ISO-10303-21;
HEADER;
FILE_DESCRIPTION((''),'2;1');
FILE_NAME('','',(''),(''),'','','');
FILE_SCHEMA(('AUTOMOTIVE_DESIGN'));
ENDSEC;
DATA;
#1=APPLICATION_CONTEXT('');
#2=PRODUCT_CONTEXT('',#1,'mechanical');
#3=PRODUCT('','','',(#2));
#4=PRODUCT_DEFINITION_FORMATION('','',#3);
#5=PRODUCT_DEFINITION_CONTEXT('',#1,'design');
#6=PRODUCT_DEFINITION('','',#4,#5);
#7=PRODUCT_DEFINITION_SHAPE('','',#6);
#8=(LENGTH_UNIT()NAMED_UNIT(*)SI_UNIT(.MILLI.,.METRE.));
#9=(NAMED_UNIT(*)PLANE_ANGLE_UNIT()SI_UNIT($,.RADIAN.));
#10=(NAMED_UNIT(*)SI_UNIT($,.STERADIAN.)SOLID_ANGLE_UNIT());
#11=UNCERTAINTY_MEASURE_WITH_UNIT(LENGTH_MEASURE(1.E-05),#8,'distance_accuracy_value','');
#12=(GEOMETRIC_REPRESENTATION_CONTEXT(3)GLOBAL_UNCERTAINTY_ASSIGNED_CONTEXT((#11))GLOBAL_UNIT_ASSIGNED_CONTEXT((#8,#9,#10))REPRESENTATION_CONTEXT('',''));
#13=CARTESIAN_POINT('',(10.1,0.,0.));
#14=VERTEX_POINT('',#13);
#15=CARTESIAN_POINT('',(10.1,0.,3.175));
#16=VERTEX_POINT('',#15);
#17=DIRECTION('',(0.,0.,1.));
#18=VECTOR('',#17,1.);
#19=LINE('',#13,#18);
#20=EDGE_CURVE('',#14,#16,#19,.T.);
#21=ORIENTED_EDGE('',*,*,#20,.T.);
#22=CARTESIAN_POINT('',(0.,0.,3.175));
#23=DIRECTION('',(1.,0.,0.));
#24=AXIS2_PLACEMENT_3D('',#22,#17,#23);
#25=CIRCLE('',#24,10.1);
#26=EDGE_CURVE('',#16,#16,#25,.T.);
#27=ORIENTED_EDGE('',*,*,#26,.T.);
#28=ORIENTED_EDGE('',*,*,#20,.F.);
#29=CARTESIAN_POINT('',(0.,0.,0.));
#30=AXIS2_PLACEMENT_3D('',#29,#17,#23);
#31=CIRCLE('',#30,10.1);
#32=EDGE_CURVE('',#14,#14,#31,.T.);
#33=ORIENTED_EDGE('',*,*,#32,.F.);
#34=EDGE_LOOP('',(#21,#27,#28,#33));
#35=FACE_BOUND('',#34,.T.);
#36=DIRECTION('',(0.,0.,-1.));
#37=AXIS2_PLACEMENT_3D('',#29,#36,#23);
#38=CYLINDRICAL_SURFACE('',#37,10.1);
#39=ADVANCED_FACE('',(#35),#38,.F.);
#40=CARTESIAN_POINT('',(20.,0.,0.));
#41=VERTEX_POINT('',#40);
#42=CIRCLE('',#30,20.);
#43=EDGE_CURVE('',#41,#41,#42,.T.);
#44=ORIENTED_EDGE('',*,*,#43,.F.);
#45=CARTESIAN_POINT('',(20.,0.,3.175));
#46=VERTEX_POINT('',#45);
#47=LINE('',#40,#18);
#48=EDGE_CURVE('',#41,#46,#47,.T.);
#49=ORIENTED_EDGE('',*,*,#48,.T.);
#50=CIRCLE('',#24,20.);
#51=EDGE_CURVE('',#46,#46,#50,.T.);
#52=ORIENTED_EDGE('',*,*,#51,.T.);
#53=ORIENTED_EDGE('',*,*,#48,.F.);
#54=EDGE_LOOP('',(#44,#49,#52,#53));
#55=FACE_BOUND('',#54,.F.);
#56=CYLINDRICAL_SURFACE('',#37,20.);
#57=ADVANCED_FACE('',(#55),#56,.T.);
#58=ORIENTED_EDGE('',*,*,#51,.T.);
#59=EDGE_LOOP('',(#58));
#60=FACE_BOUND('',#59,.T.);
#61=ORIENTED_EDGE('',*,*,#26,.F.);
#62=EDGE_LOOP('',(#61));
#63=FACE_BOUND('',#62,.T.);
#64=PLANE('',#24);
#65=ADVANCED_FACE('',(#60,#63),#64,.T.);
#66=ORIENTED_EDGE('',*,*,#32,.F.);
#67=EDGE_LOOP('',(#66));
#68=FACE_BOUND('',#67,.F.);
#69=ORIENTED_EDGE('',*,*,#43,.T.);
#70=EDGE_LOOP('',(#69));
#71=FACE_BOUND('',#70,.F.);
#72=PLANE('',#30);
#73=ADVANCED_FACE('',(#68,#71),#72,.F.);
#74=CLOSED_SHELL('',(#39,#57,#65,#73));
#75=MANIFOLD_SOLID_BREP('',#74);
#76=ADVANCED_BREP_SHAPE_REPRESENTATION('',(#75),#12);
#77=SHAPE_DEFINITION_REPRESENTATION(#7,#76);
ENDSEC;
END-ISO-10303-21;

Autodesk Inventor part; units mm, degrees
ref_plane "YZ Plane" through (0, 0, 0) normal (1, 0, 0) x (0, 1, 0)
ref_plane "XZ Plane" through (0, 0, 0) normal (0, 1, 0) x (-1, 0, 0)
ref_plane "XY Plane" through (0, 0, 0) normal (0, 0, 1) x (1, 0, 0)
sketch "Sketch1" plane through (0, 0, 0) normal (0, 0, 1) x (1, 0, 0)
  circle A0 centre (0, 0) radius 20
  circle A1 centre (0, 0) radius 10.1
  circle A2 centre (0, 0) radius 20
  circle A3 centre (0, 0) radius 10.1
  dimension "d2" = 0.5822
  dimension "d3" = 0.1082
extrude "Extrusion1" add sketch "Sketch1" along normal blind 3.175
properties part number "1-8inch_BearingSpacer_Piece1"
